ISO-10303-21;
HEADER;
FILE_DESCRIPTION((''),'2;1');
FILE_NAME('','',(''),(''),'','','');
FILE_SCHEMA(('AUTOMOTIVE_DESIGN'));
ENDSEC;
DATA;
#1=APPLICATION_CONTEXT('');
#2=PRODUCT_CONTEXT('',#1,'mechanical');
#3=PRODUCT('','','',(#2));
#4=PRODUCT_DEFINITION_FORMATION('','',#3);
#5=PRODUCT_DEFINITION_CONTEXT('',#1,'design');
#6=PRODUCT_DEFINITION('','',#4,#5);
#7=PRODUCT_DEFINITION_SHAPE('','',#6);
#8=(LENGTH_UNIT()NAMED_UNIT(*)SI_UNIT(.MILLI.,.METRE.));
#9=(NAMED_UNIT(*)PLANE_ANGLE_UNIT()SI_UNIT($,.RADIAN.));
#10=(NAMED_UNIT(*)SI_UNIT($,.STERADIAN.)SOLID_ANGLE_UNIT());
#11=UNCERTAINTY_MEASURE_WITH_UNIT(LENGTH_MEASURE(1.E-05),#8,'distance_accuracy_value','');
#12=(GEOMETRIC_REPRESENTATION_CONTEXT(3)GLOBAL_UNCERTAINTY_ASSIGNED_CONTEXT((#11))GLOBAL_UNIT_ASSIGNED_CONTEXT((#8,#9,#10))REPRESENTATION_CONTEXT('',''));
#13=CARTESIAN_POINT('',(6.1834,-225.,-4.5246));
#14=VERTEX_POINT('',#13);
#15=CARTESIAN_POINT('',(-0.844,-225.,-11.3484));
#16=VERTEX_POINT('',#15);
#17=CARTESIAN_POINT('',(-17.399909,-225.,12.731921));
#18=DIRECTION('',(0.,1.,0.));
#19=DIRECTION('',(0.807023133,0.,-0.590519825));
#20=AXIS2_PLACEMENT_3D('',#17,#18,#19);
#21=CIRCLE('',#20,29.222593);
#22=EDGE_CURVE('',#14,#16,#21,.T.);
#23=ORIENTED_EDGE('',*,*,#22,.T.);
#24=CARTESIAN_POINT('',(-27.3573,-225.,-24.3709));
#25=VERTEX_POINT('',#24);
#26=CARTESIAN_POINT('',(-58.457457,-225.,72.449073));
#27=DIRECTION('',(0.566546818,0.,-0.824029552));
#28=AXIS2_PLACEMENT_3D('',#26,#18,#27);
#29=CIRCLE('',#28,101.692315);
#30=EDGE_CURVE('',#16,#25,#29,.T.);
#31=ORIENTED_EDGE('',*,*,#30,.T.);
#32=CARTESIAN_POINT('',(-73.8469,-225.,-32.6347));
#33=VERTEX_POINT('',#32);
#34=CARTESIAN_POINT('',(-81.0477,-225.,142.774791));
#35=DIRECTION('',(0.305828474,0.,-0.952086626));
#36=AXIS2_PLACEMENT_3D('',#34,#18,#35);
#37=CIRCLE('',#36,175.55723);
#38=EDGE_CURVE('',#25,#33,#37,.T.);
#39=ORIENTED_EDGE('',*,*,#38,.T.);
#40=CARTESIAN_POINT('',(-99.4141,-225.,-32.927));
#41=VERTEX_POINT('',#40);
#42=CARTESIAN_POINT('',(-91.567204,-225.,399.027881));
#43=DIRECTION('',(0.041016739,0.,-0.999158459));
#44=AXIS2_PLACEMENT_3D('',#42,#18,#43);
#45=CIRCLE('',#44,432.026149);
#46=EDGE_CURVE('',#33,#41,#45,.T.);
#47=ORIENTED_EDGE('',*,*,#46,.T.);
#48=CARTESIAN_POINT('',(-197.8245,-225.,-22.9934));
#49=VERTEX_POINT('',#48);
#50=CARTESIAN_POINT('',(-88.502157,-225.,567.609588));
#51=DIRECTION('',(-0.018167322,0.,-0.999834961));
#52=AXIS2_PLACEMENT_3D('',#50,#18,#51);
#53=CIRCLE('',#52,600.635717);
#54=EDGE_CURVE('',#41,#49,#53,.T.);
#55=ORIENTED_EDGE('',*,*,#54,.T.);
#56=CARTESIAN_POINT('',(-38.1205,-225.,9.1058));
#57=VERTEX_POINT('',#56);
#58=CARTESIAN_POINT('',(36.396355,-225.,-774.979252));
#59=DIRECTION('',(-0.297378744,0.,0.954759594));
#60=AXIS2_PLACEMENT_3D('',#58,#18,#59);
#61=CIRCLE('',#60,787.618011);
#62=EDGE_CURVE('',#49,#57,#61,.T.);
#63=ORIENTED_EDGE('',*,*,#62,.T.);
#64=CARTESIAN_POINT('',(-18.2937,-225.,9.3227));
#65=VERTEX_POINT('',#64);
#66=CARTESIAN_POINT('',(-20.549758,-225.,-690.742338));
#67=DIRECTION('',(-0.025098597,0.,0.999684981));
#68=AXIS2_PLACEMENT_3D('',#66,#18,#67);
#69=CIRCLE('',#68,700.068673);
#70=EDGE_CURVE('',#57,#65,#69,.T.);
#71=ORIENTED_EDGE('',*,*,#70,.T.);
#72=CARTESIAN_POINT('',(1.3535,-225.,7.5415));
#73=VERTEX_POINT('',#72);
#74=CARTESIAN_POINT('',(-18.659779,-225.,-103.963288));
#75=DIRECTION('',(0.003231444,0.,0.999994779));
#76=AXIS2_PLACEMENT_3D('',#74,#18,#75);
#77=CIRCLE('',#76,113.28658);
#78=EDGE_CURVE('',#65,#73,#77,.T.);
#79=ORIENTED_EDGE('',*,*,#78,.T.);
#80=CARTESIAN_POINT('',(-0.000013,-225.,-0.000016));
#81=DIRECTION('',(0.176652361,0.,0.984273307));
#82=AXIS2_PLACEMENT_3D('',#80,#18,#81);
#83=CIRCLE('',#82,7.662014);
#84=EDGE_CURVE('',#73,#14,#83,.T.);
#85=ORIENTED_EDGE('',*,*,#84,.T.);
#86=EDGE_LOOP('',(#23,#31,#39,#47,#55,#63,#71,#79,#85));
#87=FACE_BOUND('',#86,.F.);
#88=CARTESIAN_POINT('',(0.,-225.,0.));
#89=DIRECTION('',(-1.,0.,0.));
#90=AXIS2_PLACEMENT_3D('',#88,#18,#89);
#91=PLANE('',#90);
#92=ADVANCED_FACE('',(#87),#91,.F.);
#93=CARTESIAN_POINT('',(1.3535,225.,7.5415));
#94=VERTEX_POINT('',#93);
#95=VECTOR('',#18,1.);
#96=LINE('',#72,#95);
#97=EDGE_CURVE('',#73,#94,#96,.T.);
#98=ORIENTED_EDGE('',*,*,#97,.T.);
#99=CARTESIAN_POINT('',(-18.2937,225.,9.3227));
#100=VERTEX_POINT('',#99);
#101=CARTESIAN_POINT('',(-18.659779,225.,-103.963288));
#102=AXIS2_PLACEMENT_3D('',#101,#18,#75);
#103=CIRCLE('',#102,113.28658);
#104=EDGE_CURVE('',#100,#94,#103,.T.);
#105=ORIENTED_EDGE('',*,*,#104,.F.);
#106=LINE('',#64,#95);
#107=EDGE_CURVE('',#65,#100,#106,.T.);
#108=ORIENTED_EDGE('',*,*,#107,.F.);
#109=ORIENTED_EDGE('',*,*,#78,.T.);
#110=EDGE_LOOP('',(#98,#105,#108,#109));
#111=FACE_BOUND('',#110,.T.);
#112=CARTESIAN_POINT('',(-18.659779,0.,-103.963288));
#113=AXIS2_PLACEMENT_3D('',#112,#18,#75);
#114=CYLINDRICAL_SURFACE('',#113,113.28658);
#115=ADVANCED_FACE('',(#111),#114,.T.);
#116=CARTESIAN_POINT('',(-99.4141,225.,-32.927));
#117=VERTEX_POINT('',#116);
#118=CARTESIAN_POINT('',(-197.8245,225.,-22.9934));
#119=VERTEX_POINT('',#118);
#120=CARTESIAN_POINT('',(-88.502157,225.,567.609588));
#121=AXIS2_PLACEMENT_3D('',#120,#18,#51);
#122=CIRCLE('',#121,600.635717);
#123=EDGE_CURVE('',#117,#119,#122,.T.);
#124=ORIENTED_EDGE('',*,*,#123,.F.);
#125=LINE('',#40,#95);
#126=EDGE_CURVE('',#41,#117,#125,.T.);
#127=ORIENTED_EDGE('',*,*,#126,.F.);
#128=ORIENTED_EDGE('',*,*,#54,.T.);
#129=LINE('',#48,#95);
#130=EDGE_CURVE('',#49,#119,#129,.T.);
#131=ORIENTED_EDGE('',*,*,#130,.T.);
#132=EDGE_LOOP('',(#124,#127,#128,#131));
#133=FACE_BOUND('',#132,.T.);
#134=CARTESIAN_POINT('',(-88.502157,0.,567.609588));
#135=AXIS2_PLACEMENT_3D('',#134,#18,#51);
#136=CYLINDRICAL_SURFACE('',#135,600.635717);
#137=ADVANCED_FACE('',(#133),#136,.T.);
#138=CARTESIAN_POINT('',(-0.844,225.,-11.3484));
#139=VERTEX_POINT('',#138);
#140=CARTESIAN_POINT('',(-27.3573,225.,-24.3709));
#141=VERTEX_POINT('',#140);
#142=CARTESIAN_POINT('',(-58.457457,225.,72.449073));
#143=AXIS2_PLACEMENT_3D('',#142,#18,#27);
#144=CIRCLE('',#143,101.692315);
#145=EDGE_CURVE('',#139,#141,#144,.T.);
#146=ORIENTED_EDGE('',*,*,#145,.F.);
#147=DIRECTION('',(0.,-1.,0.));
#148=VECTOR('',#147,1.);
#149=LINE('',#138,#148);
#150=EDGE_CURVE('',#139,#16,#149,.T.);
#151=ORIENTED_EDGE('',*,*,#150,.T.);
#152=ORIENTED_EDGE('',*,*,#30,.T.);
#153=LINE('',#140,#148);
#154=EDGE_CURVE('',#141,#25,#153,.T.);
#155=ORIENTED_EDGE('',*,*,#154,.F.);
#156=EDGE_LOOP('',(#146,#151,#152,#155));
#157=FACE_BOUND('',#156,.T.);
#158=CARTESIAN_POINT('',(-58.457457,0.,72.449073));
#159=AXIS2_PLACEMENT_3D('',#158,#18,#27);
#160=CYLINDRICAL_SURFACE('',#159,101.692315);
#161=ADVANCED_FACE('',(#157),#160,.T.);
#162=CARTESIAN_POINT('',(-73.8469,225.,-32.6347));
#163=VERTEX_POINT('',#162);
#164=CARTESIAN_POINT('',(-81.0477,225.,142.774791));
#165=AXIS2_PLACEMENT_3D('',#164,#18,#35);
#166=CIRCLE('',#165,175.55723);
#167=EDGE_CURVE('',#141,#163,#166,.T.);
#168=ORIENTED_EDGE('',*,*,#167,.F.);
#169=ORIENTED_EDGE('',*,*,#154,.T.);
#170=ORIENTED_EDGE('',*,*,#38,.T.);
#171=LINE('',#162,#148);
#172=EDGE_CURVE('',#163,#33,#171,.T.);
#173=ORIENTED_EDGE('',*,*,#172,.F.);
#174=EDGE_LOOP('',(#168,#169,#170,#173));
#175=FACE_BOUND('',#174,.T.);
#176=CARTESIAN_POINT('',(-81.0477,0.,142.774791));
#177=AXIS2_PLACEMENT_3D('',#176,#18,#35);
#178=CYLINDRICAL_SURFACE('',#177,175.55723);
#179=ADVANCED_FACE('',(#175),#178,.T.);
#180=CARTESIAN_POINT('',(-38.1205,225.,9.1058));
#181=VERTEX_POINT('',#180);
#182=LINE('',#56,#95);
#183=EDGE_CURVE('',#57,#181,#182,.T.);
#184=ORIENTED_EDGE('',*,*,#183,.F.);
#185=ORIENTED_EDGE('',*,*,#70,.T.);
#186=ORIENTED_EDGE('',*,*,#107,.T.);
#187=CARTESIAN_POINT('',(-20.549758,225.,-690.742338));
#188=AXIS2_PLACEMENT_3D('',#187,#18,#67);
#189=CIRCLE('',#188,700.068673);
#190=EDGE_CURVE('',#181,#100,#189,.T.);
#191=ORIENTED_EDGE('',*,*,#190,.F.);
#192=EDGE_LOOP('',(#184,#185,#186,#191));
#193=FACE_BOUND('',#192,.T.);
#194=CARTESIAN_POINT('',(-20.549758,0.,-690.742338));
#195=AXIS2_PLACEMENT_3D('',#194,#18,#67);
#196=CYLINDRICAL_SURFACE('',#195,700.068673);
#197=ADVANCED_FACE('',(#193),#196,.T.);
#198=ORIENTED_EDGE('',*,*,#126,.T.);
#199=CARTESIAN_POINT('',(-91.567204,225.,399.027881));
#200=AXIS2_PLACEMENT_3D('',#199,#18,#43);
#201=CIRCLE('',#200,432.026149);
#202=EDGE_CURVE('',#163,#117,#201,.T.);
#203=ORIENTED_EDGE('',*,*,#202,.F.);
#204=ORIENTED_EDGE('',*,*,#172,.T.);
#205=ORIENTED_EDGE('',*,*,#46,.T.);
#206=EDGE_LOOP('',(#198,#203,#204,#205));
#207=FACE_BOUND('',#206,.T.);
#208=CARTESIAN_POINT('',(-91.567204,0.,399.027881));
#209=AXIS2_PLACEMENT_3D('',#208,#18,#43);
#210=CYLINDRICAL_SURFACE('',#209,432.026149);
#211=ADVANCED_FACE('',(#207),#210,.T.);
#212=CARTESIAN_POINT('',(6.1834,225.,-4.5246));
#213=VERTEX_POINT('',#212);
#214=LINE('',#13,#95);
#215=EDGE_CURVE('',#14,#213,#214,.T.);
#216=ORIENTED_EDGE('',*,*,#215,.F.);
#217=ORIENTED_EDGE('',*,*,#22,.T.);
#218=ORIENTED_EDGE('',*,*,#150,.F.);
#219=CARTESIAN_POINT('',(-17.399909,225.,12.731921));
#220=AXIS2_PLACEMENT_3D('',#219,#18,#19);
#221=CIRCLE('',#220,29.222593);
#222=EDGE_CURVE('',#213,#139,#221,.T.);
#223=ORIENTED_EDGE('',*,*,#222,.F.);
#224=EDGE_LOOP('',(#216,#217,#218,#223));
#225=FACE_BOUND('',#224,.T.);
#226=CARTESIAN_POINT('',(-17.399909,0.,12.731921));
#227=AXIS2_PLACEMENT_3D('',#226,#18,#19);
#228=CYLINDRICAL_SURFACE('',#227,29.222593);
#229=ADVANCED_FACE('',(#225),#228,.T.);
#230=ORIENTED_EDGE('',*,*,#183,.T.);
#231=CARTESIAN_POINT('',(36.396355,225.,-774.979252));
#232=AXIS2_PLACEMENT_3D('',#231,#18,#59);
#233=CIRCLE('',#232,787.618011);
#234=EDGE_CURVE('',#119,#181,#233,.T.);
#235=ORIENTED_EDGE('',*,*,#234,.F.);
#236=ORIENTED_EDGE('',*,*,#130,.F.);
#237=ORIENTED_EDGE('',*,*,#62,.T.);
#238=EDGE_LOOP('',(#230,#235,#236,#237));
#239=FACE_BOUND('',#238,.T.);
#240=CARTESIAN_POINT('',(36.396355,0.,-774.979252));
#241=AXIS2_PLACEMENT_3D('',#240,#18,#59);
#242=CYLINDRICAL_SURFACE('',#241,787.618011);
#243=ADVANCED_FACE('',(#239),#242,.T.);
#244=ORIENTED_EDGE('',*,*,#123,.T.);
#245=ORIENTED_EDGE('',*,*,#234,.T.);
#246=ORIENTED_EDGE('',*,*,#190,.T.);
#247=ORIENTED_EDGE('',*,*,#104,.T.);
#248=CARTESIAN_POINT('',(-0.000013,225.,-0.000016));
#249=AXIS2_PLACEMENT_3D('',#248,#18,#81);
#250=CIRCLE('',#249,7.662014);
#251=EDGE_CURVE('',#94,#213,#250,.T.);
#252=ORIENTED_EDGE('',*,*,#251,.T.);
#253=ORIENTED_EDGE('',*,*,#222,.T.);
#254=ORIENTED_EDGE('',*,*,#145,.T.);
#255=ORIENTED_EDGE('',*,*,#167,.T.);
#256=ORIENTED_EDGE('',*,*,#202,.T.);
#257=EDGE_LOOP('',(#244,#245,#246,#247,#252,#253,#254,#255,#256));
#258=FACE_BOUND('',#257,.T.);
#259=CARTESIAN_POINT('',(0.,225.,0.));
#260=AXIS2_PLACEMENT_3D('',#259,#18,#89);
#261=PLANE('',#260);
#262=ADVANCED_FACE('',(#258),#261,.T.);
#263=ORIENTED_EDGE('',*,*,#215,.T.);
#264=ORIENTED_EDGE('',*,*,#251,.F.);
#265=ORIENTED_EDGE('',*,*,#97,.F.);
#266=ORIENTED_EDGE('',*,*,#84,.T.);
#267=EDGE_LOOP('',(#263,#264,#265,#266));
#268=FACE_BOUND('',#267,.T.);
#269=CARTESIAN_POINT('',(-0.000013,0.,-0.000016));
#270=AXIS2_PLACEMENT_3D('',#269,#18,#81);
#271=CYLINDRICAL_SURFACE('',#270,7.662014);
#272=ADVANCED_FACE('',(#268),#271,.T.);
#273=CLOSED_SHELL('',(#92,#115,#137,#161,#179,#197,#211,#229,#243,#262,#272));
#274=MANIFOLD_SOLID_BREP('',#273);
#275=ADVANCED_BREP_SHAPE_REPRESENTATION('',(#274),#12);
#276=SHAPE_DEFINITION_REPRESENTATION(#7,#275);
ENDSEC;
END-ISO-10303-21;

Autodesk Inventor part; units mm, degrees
ref_plane "YZ Plane" through (0, 0, 0) normal (1, 0, 0) x (0, 1, 0)
ref_plane "XZ Plane" through (0, 0, 0) normal (0, 1, 0) x (-1, 0, 0)
ref_plane "XY Plane" through (0, 0, 0) normal (0, 0, 1) x (1, 0, 0)
sketch "スケッチ1" plane through (0, 0, 0) normal (0, 1, 0) x (-1, 0, 0)
  arc A0 (99.4141, -32.927) -> (197.8245, -22.9934) centre (88.5018, 567.6156) ccw projected
  arc A1 (73.8469, -32.6347) -> (99.4141, -32.927) centre (91.566, 398.982) ccw projected
  arc A2 (27.3573, -24.3709) -> (73.8469, -32.6347) centre (81.048, 142.776) ccw projected
  arc A3 (0.844, -11.3484) -> (27.3573, -24.3709) centre (58.458, 72.45) ccw projected
  arc A4 (-6.1834, -4.5246) -> (0.844, -11.3484) centre (17.4, 12.732) ccw projected
  arc A5 (-1.3535, 7.5415) -> (-6.1834, -4.5246) centre (0, 0) ccw projected
  arc A6 (18.2937, 9.3227) -> (-1.3535, 7.5415) centre (18.66, -103.968) ccw projected
  arc A7 (38.1205, 9.1058) -> (18.2937, 9.3227) centre (20.556, -690.396) ccw projected
  arc A8 (197.8245, -22.9934) -> (38.1205, 9.1058) centre (-36.3979, -774.9853) ccw projected
  circle A9 centre (20, -2.2582) radius 5 projected
  circle A10 centre (130, -14.678) radius 5 projected
extrude "押し出し1" add sketch "スケッチ1" along normal mid plane 450 contours A1 A2 A3 A4 A5 A6 A7 A8 A0 | A9 | A10
properties part number "centerflap"
